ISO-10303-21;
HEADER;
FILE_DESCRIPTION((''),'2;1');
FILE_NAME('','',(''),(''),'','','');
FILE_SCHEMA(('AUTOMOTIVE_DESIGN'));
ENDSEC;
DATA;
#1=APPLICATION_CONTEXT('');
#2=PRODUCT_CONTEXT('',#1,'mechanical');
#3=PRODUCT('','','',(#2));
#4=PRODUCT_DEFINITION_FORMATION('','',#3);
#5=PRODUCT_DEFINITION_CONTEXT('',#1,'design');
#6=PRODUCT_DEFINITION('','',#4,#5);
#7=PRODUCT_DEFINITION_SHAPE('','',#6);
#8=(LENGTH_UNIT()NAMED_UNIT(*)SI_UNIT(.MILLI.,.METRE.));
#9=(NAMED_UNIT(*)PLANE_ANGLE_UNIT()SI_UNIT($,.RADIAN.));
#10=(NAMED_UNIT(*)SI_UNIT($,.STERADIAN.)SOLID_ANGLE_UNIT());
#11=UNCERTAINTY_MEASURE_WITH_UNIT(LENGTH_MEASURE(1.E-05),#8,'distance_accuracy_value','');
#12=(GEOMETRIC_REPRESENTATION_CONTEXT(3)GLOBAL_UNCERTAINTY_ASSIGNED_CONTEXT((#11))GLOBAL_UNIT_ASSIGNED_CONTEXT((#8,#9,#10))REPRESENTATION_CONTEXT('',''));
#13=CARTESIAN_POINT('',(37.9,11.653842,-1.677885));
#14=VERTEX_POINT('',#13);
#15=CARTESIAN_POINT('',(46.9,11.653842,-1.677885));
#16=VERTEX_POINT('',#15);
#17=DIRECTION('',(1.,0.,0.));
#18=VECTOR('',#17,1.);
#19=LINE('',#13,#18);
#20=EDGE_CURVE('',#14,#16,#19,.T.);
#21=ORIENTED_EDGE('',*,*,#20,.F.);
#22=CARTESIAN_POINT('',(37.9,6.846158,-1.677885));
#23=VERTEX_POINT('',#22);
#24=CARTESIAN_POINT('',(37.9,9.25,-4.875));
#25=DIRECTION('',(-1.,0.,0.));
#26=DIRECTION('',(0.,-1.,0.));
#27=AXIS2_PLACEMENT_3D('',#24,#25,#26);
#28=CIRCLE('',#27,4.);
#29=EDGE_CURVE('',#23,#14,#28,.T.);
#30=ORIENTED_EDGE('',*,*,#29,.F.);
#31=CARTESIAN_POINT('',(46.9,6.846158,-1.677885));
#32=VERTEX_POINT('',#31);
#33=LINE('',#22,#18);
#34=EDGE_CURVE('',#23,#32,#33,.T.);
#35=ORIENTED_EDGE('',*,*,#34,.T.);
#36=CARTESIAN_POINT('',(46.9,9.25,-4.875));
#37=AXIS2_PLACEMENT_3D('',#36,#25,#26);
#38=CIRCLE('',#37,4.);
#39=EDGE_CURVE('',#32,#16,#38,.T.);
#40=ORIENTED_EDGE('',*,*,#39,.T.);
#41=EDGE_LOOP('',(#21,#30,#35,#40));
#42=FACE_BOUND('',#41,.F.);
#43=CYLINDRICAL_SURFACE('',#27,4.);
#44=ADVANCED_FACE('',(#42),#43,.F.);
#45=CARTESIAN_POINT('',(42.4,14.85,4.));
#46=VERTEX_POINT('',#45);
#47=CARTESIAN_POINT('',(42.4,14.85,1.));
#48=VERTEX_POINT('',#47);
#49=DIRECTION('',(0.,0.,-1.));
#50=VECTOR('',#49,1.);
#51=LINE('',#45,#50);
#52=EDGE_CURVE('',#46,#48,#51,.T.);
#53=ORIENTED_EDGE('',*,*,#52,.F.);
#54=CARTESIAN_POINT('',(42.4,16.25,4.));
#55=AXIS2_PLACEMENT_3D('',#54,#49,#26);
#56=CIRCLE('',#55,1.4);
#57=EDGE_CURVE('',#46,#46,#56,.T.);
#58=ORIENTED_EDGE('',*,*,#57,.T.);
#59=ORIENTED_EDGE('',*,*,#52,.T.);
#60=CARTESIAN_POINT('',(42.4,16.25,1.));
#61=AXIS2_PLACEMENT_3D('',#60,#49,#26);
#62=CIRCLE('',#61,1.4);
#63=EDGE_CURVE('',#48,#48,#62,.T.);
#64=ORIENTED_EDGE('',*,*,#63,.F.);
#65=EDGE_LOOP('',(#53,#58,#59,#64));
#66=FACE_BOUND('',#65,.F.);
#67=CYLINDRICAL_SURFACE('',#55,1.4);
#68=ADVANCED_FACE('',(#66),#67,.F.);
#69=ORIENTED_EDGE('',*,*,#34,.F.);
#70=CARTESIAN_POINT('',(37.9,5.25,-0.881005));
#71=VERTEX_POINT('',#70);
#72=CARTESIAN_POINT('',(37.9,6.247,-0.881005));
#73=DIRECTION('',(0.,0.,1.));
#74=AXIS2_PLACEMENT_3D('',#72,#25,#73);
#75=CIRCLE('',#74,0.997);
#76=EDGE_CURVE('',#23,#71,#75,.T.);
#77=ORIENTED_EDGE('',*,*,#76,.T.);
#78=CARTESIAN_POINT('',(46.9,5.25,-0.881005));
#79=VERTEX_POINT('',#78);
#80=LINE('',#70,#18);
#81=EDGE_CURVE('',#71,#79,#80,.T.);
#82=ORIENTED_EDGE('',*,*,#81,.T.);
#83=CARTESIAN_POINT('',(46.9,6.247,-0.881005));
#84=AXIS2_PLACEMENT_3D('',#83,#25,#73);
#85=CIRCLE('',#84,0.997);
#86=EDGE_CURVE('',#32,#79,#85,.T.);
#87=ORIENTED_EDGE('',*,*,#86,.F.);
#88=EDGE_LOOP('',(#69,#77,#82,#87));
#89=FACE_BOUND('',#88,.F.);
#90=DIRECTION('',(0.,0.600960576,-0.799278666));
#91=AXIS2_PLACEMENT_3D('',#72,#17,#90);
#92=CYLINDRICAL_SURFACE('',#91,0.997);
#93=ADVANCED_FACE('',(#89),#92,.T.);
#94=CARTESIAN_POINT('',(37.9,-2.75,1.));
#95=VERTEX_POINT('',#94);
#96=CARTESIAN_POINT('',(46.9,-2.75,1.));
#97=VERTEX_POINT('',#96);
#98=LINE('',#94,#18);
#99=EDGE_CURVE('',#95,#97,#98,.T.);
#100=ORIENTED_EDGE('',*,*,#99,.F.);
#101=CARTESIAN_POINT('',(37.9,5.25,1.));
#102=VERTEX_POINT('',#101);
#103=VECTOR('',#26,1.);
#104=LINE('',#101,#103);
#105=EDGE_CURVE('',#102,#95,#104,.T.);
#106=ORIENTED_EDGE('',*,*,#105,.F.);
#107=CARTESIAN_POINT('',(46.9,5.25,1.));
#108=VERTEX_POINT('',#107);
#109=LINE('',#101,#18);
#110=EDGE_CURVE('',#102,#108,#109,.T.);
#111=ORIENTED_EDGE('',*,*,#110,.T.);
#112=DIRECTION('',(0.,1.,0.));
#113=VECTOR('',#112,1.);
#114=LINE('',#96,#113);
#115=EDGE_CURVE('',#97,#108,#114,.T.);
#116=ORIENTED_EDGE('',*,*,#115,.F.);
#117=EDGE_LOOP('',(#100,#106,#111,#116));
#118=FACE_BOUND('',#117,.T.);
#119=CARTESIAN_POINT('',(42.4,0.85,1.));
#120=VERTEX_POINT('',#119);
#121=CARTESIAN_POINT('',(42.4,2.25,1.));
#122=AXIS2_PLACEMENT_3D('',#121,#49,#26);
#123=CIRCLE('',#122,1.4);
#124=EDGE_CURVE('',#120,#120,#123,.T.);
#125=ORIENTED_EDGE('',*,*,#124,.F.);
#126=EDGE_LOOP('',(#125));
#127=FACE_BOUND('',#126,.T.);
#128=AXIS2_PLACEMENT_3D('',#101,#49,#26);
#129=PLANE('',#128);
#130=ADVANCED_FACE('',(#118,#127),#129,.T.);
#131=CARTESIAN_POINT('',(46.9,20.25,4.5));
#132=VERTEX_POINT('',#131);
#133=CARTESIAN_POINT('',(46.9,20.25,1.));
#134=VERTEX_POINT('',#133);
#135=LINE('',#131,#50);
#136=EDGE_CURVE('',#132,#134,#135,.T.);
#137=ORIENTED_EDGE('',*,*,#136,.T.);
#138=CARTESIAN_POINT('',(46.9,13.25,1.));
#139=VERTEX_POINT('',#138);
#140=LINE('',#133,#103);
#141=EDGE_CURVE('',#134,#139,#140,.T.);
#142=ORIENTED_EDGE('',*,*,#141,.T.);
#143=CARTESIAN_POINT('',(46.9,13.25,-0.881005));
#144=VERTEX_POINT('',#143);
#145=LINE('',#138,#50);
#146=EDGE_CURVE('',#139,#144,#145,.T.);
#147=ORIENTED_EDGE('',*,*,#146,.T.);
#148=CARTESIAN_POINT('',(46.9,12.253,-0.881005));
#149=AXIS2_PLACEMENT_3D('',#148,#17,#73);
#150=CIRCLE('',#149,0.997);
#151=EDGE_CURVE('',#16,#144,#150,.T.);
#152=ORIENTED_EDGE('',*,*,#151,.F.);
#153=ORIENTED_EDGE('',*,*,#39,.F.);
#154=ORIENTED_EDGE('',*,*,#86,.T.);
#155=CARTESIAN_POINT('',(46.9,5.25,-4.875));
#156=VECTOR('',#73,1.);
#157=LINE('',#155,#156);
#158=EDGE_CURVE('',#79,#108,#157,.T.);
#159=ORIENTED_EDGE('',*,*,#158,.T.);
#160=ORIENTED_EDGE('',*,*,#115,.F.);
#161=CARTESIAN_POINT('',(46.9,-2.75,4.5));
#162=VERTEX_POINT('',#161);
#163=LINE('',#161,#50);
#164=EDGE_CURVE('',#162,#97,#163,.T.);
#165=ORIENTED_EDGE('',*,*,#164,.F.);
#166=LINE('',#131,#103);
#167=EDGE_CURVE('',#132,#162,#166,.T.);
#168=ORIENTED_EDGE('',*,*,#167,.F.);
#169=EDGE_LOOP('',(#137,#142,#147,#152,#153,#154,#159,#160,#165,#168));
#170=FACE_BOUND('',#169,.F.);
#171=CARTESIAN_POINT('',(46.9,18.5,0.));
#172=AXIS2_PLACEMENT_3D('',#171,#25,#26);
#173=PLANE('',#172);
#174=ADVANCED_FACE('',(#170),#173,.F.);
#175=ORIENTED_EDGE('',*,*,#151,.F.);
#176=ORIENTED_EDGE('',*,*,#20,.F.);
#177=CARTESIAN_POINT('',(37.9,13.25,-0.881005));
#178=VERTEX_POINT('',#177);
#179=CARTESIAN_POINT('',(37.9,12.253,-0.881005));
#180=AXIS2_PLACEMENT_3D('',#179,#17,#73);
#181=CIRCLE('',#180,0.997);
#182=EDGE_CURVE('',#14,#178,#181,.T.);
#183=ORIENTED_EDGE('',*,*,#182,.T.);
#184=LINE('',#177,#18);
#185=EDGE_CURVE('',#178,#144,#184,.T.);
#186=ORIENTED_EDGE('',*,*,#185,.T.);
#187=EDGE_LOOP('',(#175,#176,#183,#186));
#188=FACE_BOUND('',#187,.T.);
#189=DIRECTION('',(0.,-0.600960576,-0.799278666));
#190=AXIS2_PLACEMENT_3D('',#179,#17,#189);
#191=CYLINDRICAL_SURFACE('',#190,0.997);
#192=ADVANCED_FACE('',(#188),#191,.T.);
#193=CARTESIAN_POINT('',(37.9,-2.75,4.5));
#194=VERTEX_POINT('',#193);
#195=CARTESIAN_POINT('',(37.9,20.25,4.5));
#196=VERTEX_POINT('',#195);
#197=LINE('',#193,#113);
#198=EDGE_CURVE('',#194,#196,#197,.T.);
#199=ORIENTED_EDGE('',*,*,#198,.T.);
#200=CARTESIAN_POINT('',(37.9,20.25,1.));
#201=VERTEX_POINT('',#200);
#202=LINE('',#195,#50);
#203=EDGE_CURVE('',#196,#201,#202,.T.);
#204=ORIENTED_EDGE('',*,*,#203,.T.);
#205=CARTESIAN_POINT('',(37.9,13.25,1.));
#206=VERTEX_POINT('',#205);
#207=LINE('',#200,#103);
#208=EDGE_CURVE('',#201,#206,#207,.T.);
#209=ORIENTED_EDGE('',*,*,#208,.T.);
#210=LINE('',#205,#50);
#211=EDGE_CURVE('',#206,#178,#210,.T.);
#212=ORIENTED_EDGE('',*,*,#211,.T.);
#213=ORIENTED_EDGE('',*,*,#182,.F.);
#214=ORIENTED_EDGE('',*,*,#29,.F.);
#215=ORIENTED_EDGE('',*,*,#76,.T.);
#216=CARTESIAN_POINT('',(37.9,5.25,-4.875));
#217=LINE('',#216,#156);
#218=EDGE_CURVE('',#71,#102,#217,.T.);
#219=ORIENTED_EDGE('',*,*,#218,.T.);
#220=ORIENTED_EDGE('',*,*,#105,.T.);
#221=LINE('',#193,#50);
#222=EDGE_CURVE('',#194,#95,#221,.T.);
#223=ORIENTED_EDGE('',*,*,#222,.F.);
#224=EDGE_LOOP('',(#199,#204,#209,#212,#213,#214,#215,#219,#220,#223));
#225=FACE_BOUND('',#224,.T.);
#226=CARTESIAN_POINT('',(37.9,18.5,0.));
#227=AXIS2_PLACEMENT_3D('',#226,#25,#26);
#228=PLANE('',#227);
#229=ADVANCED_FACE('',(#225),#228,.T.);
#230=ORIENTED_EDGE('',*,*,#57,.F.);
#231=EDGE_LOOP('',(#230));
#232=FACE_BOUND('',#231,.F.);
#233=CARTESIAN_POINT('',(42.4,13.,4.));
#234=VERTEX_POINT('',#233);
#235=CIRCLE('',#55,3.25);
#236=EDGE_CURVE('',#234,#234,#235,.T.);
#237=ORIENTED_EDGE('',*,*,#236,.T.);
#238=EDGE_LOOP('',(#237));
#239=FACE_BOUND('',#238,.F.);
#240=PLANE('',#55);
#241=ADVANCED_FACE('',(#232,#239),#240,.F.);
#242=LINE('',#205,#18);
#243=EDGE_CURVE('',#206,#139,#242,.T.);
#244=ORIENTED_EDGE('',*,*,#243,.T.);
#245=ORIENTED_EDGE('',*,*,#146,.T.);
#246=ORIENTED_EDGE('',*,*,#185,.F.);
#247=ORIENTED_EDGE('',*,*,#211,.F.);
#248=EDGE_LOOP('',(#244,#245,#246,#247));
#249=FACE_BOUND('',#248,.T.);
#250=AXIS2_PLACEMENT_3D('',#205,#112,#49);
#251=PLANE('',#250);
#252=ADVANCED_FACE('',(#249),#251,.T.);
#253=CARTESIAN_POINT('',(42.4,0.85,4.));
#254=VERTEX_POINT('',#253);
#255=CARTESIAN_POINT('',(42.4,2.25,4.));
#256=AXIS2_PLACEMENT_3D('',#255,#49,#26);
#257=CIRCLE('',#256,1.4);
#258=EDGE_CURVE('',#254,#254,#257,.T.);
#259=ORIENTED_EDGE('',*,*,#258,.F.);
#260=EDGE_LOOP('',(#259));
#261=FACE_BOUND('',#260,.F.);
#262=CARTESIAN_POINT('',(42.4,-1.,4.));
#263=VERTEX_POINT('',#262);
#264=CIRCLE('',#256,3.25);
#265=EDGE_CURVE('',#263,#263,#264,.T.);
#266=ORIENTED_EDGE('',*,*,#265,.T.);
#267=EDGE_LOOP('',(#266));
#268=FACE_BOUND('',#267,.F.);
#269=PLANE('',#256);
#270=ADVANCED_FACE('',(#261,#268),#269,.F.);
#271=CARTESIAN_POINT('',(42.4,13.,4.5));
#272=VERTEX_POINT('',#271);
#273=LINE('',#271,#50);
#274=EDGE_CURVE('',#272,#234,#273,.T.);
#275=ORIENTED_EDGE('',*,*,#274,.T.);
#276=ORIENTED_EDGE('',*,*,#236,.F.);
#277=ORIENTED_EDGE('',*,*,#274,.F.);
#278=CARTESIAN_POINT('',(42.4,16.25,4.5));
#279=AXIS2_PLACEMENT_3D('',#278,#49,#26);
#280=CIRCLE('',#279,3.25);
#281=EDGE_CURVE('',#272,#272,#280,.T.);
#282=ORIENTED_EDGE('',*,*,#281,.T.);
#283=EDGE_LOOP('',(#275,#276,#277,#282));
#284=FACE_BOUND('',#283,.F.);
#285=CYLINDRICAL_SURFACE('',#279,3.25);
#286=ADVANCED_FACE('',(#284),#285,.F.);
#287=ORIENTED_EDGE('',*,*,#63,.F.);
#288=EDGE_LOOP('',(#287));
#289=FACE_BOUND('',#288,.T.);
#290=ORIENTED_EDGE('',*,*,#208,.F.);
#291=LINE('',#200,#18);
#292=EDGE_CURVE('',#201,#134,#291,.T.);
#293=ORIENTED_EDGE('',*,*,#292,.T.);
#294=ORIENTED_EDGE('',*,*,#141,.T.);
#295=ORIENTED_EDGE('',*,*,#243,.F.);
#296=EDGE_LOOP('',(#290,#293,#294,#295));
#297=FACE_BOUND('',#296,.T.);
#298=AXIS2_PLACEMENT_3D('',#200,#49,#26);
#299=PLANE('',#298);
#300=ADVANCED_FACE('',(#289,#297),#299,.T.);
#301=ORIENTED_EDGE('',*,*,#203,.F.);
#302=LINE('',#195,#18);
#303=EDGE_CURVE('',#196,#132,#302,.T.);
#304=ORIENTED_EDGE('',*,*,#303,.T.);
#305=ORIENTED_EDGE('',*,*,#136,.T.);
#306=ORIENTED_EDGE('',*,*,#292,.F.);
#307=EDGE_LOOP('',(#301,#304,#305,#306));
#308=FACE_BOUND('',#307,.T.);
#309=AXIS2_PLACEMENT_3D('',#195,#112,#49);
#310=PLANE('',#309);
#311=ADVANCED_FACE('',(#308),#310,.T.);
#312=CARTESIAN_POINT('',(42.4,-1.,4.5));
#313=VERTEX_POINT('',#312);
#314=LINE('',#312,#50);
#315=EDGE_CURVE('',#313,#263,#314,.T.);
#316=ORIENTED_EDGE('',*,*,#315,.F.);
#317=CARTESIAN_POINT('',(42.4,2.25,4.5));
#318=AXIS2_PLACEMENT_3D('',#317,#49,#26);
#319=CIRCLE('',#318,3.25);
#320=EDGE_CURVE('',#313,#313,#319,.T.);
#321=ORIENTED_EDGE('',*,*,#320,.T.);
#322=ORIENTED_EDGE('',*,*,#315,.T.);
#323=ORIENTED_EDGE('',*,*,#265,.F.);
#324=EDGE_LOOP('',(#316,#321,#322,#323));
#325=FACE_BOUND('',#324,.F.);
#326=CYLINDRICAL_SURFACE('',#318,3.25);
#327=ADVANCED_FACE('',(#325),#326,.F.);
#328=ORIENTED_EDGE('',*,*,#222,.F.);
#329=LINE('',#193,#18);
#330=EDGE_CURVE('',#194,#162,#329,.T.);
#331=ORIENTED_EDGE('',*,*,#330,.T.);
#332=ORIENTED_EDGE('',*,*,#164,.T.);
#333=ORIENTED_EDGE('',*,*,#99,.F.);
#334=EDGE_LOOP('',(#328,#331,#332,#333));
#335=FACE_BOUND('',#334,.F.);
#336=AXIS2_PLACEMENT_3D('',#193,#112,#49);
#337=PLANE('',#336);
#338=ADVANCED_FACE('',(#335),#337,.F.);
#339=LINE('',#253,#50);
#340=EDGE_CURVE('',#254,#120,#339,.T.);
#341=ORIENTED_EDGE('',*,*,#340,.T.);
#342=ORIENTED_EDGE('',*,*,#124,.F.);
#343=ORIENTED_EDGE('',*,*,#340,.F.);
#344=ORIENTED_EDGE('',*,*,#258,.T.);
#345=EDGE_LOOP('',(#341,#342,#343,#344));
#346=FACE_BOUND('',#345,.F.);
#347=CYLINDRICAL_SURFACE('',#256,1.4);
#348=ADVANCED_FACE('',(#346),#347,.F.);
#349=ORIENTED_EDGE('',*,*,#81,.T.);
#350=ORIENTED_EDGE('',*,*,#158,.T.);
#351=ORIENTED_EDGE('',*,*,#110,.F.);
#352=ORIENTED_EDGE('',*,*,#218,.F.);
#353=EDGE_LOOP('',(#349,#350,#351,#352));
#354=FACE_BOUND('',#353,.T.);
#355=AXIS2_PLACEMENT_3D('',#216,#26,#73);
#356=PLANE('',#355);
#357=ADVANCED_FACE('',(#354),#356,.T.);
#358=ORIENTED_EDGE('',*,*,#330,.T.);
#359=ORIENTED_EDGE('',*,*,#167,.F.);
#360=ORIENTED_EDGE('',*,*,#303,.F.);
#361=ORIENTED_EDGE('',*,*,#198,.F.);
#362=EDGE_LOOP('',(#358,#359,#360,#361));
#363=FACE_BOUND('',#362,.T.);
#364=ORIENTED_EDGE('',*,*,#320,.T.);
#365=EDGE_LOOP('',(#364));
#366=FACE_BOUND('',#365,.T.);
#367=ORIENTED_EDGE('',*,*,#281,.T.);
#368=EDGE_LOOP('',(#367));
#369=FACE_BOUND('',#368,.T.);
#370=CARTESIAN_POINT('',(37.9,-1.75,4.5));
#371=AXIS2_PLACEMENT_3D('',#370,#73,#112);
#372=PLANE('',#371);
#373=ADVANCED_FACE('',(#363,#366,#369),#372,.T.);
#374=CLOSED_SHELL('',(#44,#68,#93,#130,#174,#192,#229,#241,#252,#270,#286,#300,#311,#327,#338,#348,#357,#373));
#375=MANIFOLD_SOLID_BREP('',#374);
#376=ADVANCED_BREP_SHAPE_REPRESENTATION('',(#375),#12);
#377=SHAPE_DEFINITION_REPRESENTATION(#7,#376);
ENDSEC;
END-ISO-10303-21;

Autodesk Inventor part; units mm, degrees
ref_plane "YZ Plane" through (0, 0, 0) normal (1, 0, 0) x (0, 1, 0)
ref_plane "XZ Plane" through (0, 0, 0) normal (0, 1, 0) x (-1, 0, 0)
ref_plane "XY Plane" through (0, 0, 0) normal (0, 0, 1) x (1, 0, 0)
ref_plane "Arbeitsebene1" through (0, 0, 0) normal (0, 0, 1) x (1, 0, 0)
ref_plane "Arbeitsebene2" through (37.9, 18.5, 0) normal (-1, 0, 0) x (0, -1, 0)
sketch "Skizze1" plane through (37.9, 18.5, 0) normal (-1, 0, 0) x (0, -1, 0)
  line L0 (5.15, -4.875) -> (5.15, 0) projected
  line L1 (13.35, 0) -> (59.85, 0) projected
  line L2 (13.35, 0) -> (13.35, -4.875) projected
  arc A0 (5.15, -4.875) -> (13.35, -4.875) centre (9.25, -4.875) ccw projected
  circle A1 centre (9.25, -4.875) radius 4
  line L3 (5.25, -4.875) -> (13.25, -4.875)
  line L4 (13.25, -4.875) -> (13.25, 1)
  line L5 (13.25, 1) -> (5.25, 1)
  line L6 (5.25, 1) -> (5.25, -4.875)
  line L7 (20.25, 4.5) -> (-1.75, 4.5)
  line L8 (-1.75, 4.5) -> (-1.75, 1)
  line L9 (-1.75, 1) -> (20.25, 1)
  line L10 (20.25, 1) -> (20.25, 4.5)
  line L11 (20.25, 4.5) -> (-1.75, 1) construction
  line L12 (-1.75, 4.5) -> (20.25, 1) construction
  line L13 (20.25, 4.5) -> (21.25, 4.5)
  line L14 (21.25, 4.5) -> (21.25, 1)
  line L15 (21.25, 1) -> (20.25, 1)
  line L16 (20.25, 1) -> (20.25, 4.5)
  line L17 (59.85, -17) -> (-8, -17) projected
  line L18 (59.85, 0) -> (59.85, -17) projected
  line L19 (-8, 0) -> (5.15, 0) projected
  line L20 (-8, -17) -> (-8, 0) projected
  point P0 (18.5, 0)
  point P1 (0, 0)
  point P2 (59.85, -12)
  point P3 (9.25, 2.75)
  point P4 (13.25, -4.875)
  point P5 (13.25, 1)
  dimension "d0" = 8
  dimension "d1" = 1
  dimension "d2" = 3.5
  dimension "d3" = 11
  dimension "d14" = 1
extrude "Extrusion1" add sketch "Skizze1" against normal blind 9 contours A1 L6 L5 L4 | L5 L9 L8 L7 L10 | L10 L13 L14 L15
sketch "Skizze2" plane through (37.9, -1.75, 4.5) normal (0, 0, 1) x (1, 0, 0)
  circle A0 centre (4.5, 18) radius 1.4 projected
  circle A1 centre (4.5, 4) radius 1.4 projected
  point P0 (-37.9, 1.75)
hole "Bohrung1" at (42.4, 16.25, 4.5) at (42.4, 2.25, 4.5) direction (0, 0, -1) diameter 2.8 depth 8 tip angle 118 counterbore diameter 6.5 counterbore depth 0.5
fillet "Rundung1" radius 1 2 edges at (42.4, 13.25, -4.875) (42.4, 5.25, -4.875)
properties part number "Holisheet_tubeclamp"
